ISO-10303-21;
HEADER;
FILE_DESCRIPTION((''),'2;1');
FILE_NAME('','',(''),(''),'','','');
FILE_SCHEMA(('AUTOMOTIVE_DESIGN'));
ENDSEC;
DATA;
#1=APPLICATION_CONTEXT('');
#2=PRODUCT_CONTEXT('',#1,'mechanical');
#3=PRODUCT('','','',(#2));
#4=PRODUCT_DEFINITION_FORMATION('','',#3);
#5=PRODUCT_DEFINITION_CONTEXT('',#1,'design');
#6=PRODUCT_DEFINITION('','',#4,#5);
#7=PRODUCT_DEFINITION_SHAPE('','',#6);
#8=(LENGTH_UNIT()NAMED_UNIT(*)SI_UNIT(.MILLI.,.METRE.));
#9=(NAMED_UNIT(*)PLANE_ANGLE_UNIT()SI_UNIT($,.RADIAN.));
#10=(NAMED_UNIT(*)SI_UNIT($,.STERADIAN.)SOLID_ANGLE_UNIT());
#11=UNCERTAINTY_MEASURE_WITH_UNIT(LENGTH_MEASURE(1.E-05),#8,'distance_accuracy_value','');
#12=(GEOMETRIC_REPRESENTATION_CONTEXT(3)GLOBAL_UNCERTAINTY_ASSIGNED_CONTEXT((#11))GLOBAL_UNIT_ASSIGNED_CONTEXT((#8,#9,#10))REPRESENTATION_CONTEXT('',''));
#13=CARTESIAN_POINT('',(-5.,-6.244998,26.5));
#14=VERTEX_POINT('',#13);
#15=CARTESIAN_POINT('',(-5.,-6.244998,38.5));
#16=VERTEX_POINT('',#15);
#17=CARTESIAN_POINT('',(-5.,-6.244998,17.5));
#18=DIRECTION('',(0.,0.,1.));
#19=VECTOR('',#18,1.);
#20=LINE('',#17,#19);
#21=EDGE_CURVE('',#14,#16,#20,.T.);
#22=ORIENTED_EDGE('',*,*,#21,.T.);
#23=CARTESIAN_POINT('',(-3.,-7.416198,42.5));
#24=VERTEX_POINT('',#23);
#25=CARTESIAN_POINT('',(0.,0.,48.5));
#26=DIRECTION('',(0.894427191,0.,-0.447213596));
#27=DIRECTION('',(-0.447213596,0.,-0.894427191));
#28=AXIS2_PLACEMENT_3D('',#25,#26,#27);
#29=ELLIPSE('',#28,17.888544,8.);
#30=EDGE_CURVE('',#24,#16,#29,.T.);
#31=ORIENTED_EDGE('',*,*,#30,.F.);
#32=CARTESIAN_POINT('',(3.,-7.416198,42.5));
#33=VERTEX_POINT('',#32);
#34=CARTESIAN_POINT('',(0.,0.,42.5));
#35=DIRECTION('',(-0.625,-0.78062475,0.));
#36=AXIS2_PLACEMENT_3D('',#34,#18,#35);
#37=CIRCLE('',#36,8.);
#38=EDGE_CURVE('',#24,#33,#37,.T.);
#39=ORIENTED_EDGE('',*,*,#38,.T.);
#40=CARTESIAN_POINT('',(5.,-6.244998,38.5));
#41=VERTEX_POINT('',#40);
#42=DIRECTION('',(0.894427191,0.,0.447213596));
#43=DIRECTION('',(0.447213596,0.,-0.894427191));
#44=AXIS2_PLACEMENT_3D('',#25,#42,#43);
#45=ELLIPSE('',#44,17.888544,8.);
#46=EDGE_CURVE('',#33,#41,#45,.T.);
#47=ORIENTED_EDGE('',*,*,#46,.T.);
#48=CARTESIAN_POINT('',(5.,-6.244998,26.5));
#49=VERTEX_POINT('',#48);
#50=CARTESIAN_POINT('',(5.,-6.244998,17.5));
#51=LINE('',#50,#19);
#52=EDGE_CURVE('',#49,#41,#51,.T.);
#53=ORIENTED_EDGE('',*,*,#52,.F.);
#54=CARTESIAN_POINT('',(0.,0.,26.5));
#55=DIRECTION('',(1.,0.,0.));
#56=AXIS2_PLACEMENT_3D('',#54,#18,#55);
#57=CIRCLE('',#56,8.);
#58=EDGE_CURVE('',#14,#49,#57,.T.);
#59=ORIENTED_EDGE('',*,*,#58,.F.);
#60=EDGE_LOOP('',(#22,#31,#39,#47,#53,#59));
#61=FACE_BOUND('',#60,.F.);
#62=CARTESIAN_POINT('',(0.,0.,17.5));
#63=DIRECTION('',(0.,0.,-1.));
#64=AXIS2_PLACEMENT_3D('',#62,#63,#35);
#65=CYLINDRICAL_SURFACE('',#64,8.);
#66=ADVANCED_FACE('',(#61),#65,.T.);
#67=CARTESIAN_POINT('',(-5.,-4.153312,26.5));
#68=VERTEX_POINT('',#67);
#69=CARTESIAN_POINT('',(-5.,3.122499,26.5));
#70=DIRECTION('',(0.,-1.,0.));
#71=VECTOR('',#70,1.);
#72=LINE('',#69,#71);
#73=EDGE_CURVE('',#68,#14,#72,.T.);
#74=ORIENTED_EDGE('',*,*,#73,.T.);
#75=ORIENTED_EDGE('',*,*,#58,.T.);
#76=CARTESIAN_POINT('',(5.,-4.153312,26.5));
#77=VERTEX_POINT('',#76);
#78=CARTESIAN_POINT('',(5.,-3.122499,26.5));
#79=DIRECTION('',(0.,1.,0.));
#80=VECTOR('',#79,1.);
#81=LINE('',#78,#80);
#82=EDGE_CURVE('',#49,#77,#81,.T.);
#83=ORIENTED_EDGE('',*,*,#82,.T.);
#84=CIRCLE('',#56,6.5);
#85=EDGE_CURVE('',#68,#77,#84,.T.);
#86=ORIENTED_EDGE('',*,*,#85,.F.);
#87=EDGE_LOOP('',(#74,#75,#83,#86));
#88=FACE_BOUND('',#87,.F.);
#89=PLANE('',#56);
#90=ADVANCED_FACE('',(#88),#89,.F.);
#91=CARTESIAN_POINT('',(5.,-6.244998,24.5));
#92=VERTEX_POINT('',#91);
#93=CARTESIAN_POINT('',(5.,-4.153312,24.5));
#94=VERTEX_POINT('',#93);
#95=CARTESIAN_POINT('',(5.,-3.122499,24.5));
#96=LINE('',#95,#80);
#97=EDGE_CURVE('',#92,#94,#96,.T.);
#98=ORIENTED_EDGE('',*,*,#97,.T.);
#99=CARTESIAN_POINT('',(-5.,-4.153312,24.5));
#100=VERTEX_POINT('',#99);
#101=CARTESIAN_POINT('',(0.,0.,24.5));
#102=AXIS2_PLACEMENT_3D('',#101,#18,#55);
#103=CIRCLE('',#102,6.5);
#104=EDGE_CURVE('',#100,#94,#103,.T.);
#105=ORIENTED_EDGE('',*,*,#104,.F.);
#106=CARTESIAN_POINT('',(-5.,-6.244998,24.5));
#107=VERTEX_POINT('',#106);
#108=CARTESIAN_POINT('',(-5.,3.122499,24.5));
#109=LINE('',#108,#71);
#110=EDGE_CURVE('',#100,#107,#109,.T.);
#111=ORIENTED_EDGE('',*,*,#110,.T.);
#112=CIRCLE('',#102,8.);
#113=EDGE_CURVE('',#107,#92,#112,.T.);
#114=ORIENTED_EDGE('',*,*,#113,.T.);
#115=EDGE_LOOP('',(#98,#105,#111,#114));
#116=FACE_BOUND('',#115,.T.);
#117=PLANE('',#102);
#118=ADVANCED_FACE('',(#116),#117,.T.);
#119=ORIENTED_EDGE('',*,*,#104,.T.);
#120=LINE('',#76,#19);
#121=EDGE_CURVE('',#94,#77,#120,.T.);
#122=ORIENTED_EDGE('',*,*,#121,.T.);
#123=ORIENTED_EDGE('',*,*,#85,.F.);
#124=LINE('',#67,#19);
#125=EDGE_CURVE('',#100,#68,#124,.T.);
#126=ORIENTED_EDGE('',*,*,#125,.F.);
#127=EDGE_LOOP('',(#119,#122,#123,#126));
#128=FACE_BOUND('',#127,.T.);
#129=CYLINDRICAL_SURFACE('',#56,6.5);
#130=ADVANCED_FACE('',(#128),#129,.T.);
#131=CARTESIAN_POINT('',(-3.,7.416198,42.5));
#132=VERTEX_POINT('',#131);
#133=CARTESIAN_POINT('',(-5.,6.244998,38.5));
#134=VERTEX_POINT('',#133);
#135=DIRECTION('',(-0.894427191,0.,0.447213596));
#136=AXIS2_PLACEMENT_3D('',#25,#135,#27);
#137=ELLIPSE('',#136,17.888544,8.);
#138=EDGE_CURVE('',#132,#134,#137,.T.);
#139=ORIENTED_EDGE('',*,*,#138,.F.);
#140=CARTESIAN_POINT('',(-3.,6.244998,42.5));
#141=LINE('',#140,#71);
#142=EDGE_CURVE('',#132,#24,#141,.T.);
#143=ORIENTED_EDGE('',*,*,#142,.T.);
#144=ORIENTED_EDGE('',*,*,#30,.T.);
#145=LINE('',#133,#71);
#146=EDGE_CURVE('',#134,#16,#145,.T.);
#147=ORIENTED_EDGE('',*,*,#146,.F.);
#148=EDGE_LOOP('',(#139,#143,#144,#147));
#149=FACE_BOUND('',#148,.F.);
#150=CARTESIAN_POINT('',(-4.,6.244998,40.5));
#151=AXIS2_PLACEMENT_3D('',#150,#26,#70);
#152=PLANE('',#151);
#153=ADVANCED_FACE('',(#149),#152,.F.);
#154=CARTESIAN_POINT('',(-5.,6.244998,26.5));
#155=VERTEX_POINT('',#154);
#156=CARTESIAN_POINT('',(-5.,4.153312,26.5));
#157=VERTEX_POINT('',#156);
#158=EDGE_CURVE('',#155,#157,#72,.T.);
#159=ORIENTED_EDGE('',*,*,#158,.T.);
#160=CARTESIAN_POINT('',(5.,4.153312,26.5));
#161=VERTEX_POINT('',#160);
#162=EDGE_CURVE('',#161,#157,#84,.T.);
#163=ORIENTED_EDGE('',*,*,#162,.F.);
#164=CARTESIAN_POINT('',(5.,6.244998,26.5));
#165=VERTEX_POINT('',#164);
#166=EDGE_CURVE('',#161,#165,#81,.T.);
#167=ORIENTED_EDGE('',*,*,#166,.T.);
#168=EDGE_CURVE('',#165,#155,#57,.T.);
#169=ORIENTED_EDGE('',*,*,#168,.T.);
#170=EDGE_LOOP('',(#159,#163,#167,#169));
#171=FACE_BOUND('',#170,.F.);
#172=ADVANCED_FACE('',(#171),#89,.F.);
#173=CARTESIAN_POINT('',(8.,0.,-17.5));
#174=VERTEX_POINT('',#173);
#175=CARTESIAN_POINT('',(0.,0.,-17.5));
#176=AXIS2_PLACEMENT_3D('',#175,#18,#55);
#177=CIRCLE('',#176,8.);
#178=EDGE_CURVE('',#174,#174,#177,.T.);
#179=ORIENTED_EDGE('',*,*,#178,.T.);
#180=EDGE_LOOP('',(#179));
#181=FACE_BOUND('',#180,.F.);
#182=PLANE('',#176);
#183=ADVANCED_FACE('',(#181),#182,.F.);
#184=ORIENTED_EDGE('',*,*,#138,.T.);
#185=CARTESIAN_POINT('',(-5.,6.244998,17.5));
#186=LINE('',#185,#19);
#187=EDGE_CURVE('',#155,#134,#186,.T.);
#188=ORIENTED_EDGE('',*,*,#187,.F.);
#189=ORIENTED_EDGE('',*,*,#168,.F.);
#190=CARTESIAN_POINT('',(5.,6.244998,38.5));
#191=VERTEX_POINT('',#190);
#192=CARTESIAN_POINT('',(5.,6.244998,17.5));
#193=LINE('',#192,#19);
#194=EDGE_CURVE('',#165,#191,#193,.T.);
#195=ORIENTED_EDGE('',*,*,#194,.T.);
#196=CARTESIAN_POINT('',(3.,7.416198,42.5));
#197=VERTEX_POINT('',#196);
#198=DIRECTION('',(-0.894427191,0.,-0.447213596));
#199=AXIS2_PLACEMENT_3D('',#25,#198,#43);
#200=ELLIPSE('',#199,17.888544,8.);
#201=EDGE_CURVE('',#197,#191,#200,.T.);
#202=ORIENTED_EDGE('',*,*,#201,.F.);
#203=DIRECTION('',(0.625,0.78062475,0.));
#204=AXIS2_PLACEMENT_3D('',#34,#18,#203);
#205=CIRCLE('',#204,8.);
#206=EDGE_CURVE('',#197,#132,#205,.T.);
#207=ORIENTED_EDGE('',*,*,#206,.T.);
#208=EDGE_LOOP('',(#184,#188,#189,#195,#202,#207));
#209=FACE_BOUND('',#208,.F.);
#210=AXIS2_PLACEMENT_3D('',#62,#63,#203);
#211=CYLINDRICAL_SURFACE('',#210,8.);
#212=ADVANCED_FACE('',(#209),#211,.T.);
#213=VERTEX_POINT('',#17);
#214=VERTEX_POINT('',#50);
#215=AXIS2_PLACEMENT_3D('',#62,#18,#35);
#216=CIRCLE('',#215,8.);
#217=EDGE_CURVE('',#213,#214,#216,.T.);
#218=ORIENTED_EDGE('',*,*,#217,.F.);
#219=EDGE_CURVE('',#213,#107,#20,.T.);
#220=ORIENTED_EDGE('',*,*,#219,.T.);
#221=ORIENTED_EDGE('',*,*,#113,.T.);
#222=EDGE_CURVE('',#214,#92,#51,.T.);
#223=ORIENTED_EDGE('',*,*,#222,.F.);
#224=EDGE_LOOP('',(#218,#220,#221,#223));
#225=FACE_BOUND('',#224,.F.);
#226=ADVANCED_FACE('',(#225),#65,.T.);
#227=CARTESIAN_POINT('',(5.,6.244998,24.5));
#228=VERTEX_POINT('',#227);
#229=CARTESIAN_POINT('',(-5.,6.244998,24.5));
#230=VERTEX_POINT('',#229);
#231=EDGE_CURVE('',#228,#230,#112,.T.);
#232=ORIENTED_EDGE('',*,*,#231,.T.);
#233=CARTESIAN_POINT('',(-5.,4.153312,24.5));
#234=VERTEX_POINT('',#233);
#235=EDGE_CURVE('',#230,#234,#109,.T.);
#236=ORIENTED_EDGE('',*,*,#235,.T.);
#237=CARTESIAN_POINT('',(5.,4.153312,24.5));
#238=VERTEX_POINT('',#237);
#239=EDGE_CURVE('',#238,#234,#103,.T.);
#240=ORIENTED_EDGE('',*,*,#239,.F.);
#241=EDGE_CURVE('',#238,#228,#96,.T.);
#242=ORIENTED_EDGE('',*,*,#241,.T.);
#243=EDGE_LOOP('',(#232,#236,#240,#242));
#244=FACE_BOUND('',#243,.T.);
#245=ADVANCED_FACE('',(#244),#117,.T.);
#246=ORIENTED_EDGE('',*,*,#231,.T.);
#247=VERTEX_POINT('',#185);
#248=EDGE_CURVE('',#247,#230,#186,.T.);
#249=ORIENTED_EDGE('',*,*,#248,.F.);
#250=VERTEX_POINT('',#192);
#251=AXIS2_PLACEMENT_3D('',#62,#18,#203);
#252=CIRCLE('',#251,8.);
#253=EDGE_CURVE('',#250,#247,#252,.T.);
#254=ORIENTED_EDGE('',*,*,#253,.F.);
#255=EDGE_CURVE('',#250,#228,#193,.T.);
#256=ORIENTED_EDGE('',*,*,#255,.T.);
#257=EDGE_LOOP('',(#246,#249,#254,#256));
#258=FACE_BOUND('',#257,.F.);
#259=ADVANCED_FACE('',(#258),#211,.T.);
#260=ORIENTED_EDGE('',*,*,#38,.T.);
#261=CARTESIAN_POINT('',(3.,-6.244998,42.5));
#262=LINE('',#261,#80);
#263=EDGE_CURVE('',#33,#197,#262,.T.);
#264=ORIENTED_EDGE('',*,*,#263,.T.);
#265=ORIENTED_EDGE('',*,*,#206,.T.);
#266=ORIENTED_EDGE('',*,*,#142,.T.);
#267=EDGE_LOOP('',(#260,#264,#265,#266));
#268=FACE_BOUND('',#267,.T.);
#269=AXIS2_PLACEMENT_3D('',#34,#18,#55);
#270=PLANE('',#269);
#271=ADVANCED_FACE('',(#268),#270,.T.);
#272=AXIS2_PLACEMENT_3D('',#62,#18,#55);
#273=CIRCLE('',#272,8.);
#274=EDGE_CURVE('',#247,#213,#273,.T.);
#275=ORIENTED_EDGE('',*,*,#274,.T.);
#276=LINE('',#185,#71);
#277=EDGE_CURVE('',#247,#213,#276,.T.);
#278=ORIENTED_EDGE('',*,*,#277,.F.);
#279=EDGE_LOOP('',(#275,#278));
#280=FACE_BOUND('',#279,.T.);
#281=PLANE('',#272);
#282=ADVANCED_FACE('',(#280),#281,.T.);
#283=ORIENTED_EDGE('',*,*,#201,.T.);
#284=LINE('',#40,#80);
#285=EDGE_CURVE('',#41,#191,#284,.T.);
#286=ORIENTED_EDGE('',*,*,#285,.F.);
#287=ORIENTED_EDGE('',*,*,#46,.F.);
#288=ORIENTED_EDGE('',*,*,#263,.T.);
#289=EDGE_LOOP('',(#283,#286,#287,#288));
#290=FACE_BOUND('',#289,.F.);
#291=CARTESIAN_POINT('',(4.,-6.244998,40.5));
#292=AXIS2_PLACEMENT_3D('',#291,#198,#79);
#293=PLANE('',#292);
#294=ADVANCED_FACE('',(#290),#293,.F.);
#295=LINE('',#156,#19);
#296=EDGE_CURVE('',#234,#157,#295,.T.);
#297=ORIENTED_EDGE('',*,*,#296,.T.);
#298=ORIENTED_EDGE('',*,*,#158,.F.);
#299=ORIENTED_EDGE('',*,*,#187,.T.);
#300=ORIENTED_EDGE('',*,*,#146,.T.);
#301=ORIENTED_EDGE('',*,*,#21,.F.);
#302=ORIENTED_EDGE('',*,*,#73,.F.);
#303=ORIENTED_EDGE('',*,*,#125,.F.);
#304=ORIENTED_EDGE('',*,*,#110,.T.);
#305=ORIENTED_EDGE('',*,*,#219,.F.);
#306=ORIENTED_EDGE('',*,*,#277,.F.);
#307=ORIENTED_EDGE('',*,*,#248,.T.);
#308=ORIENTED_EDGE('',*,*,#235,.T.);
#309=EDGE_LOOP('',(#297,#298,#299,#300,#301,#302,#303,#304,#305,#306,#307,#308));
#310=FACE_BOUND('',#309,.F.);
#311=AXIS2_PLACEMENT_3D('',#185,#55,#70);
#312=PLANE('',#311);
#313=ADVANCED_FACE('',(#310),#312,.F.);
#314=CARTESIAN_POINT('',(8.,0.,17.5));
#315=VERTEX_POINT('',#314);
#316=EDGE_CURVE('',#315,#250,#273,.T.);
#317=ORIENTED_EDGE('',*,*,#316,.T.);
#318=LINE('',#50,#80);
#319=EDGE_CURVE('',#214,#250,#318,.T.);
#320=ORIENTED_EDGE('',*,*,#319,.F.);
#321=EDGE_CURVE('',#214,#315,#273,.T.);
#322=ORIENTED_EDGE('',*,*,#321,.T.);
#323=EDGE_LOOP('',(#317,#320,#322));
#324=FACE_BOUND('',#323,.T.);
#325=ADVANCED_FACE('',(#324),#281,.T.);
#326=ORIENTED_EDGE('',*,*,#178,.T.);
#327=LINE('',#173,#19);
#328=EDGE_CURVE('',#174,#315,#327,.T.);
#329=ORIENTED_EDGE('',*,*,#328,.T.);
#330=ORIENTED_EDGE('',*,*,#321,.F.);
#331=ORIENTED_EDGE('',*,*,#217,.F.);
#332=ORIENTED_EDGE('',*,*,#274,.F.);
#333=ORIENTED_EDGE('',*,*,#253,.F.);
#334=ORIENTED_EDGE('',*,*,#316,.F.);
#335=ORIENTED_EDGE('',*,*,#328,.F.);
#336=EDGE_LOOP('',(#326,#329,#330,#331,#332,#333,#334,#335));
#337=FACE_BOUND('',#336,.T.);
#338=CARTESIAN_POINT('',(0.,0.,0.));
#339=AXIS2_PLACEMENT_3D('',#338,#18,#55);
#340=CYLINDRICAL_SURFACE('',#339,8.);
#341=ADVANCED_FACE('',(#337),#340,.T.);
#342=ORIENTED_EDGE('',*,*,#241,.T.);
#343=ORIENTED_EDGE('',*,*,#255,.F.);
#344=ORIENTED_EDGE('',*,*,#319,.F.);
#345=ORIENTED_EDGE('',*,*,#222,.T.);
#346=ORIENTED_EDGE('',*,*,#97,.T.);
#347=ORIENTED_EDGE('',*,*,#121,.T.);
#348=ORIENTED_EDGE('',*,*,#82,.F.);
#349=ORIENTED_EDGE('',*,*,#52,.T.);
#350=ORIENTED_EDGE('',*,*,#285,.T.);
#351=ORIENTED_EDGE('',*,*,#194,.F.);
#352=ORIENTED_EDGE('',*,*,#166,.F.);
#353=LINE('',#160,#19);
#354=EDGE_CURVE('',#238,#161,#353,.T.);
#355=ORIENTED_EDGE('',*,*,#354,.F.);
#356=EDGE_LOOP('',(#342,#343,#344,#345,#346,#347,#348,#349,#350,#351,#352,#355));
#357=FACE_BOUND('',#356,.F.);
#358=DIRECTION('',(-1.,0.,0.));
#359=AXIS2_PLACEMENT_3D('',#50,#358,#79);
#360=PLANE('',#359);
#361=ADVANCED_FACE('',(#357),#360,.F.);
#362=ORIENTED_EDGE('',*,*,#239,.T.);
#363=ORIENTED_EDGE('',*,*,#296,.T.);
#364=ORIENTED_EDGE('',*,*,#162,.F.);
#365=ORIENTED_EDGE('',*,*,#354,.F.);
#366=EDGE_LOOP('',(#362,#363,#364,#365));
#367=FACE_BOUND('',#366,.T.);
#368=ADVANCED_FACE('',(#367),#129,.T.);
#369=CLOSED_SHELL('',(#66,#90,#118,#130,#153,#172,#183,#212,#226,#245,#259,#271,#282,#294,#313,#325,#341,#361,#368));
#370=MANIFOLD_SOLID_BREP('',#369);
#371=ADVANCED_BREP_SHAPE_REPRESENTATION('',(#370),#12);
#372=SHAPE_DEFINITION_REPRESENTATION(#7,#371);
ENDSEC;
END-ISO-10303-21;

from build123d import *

# Parameters (mm, degrees)
F0_R     = 8
F1_DEPTH = 17.5
F3_DEPTH = 25
F4_SIZE2 = 4
F4_SIZE  = 2
F6_R     = 8
F6_R_2   = 6.5
F7_DEPTH = 2


with BuildPart() as f1:
    # F0 (on Top) → F1 (new body, symmetric)
    with BuildSketch(Plane.XY):
        Circle(F0_R)
    extrude(amount=F1_DEPTH, both=True)

    # F2 (on face) → F3 (join)
    with BuildSketch(Plane.XY.offset(17.5)):
        with BuildLine():
            ThreePointArc((5, 6.2449979984), (0, 8), (-5, 6.2449979984))
            Line((-5, 6.2449979984), (-5, -6.2449979984))
            ThreePointArc((-5, -6.2449979984), (0, -8), (5, -6.2449979984))
            Line((5, -6.2449979984), (5, 6.2449979984))
        make_face()
    extrude(amount=F3_DEPTH)

    # F4
    f4_edges = [f1.edges().sort_by_distance(p)[0] for p in [
        (-5, 0, 42.5),
        (5, 0, 42.5),
    ]]
    f4_side = f1.faces().sort_by_distance((0, 0, 42.5))[0]
    chamfer(f4_edges, length=F4_SIZE, length2=F4_SIZE2, reference=f4_side)

    # F6 (on offset) → F7 (cut)
    with BuildSketch(Plane.XY.offset(26.5)):
        Circle(F6_R)
        Circle(F6_R_2, mode=Mode.SUBTRACT)
    extrude(amount=-F7_DEPTH, mode=Mode.SUBTRACT)


solid = f1.part
